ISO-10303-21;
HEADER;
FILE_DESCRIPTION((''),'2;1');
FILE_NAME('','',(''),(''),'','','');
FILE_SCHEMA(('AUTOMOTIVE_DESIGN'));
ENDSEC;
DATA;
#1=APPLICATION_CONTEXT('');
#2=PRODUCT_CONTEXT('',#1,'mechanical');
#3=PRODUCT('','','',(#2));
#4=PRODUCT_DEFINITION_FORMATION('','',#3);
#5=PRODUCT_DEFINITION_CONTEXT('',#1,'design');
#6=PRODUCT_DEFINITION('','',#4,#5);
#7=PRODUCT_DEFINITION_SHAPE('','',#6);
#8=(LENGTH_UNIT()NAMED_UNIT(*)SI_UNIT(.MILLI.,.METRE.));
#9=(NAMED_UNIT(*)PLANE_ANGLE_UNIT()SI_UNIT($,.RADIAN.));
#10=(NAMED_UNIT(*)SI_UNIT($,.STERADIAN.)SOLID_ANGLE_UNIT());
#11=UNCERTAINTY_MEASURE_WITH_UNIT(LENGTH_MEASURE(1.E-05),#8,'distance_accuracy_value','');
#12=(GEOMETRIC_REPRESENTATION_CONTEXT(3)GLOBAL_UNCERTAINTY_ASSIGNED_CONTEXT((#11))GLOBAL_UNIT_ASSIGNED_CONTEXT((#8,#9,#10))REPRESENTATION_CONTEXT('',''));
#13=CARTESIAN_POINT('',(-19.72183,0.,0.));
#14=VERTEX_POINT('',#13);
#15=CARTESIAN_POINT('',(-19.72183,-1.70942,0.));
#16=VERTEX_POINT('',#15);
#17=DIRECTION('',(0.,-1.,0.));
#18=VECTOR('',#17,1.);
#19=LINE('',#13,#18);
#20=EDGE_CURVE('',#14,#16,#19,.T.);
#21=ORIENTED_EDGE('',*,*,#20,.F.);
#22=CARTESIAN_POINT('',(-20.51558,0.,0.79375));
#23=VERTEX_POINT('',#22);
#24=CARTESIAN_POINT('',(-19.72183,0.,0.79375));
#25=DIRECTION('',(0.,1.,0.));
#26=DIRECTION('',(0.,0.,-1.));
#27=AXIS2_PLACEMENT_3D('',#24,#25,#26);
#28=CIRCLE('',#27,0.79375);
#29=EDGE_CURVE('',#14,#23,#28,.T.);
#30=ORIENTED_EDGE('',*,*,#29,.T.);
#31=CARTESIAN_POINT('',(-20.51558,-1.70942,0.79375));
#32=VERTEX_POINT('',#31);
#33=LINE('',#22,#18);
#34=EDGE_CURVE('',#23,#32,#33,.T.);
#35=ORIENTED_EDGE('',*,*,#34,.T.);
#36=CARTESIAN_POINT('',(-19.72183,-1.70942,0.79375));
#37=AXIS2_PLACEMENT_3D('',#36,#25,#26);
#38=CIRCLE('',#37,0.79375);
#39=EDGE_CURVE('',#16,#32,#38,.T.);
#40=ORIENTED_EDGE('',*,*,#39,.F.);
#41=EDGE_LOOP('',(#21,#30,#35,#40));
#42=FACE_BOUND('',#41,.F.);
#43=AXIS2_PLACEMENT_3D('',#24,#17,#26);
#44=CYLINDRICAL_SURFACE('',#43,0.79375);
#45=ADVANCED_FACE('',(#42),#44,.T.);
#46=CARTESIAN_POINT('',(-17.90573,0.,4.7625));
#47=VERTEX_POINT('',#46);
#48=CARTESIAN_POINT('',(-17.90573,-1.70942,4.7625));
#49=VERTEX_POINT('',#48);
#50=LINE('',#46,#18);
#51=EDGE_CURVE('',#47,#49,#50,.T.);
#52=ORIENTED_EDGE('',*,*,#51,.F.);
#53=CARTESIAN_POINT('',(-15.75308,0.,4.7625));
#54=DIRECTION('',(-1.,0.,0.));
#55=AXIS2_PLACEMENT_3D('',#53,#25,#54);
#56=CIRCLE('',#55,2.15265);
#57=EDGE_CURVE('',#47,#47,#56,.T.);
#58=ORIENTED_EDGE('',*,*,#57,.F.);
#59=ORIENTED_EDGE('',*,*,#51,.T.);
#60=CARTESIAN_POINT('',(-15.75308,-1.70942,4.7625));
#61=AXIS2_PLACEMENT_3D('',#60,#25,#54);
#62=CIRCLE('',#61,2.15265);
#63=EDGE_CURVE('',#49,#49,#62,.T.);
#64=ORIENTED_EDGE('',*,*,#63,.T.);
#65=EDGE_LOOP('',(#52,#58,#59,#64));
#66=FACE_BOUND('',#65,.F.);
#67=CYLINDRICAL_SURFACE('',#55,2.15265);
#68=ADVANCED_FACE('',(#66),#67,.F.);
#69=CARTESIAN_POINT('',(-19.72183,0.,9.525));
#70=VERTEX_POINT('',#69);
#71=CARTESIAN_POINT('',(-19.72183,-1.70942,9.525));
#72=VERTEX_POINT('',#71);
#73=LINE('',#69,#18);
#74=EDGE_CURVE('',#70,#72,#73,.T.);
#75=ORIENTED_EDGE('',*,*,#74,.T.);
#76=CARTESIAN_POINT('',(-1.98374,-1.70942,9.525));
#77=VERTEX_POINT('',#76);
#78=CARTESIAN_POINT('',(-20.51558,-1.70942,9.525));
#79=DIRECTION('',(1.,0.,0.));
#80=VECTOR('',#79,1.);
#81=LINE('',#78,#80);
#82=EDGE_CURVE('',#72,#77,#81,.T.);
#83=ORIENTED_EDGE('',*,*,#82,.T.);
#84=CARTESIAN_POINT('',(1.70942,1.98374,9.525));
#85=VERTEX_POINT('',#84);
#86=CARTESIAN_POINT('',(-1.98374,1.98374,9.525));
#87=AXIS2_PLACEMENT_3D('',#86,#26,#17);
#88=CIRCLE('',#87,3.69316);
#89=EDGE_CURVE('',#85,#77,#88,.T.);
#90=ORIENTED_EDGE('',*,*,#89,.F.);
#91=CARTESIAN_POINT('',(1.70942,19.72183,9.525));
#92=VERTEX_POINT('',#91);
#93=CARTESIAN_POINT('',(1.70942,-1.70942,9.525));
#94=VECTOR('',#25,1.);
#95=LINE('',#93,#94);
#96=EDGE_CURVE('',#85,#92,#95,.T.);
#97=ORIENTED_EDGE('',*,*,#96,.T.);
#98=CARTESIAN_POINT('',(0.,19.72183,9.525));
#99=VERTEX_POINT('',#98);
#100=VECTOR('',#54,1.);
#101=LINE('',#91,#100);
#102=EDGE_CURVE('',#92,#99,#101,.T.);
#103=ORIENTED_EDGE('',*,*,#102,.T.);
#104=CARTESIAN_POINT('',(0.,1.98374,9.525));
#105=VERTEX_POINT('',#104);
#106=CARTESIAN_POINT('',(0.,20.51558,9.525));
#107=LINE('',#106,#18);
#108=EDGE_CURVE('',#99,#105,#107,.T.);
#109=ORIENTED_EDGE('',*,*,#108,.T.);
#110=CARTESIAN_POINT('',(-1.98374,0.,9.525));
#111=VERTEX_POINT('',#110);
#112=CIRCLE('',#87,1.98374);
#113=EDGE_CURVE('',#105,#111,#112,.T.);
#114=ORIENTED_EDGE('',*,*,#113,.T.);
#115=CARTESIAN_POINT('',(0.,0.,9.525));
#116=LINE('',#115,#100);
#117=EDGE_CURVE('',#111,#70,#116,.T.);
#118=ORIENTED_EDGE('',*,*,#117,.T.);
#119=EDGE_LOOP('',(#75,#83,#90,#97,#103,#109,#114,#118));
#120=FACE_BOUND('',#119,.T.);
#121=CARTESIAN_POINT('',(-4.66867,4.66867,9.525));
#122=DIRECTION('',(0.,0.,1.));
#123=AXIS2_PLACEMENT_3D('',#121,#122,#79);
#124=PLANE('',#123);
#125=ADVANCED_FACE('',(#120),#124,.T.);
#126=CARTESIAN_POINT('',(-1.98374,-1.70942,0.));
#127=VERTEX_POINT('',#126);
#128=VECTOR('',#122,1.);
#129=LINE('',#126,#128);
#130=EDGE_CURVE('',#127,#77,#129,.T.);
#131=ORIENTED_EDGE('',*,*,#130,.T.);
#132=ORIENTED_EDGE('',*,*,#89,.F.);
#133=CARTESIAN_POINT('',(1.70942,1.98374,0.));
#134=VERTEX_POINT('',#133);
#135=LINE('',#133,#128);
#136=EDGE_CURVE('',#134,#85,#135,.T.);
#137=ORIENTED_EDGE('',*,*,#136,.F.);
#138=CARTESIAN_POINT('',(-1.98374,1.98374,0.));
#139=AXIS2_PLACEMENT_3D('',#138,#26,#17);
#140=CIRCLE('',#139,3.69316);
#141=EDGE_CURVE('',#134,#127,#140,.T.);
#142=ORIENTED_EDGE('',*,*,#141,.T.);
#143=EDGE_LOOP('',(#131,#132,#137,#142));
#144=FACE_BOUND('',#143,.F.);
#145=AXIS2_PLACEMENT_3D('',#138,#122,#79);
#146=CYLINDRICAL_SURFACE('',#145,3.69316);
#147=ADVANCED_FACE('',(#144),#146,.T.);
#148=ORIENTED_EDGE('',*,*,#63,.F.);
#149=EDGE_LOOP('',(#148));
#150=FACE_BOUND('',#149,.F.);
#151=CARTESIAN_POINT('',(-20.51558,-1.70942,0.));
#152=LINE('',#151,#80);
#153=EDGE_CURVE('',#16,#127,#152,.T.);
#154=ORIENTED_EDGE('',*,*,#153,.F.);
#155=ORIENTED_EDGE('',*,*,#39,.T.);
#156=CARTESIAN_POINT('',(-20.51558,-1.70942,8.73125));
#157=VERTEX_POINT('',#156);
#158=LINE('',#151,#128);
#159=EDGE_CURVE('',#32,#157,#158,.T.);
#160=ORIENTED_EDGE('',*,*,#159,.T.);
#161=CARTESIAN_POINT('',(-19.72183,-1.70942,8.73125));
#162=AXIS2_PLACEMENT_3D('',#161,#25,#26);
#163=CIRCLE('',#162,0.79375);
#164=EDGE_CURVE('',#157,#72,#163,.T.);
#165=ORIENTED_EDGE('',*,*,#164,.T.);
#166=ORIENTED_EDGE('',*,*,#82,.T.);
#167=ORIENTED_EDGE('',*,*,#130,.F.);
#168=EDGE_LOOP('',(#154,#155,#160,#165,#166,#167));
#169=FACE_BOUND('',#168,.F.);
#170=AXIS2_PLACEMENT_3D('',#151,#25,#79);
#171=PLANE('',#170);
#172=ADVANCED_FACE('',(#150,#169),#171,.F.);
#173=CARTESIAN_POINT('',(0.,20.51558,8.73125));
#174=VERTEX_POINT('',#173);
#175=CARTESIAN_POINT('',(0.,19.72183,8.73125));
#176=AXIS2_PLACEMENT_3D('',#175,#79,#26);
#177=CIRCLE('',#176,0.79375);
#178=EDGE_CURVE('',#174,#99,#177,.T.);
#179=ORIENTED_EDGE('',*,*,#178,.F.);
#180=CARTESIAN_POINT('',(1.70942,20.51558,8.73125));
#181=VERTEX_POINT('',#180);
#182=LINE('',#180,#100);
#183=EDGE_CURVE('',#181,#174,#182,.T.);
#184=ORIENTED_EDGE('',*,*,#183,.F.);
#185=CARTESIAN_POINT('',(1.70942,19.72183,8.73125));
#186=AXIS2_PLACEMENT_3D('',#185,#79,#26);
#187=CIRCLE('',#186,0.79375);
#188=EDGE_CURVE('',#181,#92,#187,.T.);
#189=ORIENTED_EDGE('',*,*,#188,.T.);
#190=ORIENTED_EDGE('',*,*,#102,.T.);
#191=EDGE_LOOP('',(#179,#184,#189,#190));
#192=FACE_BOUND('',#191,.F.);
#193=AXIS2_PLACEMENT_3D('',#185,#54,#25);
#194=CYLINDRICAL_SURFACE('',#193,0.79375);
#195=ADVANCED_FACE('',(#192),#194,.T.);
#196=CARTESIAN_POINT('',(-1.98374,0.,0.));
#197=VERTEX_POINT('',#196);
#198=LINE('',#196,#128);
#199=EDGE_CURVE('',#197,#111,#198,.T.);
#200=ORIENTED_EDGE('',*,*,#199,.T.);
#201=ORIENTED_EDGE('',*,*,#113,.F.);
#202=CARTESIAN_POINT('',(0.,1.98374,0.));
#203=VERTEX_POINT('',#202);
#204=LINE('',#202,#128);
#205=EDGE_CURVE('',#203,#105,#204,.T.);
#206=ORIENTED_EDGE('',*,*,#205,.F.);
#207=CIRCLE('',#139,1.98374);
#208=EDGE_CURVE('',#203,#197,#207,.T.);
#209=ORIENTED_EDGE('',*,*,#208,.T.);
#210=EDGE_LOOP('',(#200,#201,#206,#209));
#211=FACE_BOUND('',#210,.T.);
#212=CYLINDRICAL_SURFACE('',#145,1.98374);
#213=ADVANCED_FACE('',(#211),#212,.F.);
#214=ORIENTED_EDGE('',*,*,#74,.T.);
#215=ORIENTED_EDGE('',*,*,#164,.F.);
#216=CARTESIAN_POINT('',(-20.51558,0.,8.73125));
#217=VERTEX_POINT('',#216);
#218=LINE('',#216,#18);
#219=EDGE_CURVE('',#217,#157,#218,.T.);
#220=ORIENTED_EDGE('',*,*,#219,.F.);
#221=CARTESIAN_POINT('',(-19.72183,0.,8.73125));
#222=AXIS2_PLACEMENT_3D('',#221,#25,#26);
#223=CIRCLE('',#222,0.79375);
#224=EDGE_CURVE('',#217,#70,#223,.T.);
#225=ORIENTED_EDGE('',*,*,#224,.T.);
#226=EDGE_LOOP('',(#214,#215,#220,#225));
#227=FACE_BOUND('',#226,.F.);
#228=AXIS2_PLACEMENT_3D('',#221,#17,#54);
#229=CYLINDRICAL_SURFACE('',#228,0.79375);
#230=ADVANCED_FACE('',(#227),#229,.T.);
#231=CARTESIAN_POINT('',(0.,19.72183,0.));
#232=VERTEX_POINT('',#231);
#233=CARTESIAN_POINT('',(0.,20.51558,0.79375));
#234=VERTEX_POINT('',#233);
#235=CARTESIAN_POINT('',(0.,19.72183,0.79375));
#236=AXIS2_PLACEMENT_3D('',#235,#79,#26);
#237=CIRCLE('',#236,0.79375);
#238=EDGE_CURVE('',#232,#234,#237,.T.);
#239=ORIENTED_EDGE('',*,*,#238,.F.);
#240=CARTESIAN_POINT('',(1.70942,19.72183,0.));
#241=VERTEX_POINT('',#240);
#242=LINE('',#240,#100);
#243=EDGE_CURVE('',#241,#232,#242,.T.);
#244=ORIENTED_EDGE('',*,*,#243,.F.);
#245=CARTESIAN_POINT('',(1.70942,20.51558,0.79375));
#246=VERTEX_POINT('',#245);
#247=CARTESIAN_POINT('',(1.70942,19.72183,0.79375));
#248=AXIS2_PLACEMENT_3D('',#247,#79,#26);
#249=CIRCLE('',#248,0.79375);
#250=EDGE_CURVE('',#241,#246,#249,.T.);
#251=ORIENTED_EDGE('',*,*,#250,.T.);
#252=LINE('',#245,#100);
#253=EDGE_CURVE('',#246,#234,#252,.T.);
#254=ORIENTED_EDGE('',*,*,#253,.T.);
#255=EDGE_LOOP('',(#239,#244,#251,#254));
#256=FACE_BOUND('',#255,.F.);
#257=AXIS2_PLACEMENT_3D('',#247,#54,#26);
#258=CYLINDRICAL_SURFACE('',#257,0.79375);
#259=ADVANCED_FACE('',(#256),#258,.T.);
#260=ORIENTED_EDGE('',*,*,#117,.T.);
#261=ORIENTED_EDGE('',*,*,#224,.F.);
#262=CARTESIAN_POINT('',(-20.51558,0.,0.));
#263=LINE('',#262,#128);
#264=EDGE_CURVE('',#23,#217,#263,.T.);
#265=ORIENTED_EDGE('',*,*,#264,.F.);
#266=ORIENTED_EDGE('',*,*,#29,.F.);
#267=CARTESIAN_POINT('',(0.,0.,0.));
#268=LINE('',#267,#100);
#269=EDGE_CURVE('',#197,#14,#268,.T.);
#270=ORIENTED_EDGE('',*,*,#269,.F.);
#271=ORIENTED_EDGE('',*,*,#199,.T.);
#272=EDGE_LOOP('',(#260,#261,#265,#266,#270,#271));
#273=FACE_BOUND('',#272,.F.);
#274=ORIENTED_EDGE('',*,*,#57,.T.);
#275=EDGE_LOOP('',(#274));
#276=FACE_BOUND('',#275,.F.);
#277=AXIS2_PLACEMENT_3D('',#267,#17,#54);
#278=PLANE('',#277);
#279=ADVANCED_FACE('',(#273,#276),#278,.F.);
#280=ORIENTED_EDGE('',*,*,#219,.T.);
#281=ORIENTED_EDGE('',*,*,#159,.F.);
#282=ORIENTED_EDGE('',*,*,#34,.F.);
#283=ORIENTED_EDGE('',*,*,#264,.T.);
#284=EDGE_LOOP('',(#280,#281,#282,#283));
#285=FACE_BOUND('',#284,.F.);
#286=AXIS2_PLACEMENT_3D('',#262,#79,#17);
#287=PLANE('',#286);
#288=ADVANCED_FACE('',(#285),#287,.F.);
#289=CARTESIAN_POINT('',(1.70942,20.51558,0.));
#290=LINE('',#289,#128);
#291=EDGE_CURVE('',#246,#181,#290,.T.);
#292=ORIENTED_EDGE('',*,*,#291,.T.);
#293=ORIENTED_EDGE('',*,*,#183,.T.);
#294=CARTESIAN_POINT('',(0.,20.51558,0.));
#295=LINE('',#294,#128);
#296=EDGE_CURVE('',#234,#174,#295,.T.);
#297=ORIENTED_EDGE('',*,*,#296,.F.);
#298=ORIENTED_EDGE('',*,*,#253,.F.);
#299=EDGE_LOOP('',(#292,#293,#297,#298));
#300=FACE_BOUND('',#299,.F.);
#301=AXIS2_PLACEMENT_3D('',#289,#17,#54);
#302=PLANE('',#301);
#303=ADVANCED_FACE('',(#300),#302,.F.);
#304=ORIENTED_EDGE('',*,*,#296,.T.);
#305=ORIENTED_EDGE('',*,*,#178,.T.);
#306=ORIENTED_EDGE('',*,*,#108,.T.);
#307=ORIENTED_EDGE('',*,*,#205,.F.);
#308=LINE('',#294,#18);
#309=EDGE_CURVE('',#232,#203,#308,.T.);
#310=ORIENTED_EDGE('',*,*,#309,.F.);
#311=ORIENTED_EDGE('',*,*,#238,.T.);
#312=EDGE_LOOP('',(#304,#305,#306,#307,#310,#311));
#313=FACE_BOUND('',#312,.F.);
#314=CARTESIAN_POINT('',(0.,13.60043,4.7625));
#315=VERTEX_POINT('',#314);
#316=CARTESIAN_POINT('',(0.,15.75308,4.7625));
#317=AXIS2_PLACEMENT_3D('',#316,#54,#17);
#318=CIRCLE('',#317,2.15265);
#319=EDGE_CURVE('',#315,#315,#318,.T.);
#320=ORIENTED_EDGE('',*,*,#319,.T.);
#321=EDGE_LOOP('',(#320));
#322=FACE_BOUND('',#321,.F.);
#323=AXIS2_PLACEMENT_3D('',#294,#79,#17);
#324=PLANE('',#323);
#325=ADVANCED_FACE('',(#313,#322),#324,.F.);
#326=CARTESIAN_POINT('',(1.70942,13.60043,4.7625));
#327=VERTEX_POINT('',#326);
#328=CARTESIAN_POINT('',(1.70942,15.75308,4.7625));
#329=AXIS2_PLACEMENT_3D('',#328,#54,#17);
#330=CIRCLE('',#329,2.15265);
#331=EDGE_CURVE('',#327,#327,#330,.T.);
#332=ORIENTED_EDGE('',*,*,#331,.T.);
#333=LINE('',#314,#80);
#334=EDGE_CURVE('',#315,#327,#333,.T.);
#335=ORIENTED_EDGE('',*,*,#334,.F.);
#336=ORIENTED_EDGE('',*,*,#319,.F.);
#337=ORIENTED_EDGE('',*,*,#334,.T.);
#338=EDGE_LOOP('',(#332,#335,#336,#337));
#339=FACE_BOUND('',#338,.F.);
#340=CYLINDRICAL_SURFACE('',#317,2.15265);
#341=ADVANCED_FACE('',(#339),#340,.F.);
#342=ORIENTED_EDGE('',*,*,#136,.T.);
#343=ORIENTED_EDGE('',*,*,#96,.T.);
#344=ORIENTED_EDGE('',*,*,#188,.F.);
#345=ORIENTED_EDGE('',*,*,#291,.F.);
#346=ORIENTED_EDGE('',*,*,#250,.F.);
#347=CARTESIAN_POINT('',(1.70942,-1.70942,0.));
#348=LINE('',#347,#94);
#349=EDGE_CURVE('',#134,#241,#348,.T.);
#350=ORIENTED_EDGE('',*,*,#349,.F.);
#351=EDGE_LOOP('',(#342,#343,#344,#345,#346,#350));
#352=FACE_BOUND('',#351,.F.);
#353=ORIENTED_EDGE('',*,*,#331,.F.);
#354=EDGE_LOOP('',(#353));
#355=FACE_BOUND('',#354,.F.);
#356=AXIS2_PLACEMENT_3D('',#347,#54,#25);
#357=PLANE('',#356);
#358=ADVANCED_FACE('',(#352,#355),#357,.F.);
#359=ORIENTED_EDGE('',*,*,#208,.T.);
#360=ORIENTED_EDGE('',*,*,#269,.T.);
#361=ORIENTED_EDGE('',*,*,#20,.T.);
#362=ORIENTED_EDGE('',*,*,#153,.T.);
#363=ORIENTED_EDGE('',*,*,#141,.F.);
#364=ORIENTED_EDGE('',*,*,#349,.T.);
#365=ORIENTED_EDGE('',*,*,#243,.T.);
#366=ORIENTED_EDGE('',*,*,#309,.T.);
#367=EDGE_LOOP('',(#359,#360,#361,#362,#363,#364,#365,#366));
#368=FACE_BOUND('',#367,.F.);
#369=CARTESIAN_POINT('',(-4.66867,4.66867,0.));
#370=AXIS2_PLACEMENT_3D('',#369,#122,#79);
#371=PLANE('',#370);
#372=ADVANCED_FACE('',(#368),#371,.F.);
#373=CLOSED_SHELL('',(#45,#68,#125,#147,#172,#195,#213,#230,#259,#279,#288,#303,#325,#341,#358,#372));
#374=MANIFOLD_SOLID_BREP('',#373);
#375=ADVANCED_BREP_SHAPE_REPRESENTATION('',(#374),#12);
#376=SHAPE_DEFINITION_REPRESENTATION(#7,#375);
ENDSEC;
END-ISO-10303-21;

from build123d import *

# Parameters (mm, degrees)
F1_DEPTH = 9.525
F2_R     = 1.98374
F3_R     = 3.69316
F4_R     = 2.15265
F5_DEPTH = 1.70942
F6_R     = 2.15265
F7_DEPTH = 1.70942
F8_R     = 0.79375


with BuildPart() as f1:
    # F0 (on Top) → F1 (new body)
    with BuildSketch(Plane.XY):
        Polygon((0, 20.51558), (0, 0), (-20.51558, 0), (-20.51558, -1.70942), (1.70942, -1.70942), (1.70942, 20.51558), align=None)
    extrude(amount=F1_DEPTH)

    # F2
    f2_edges = [f1.edges().sort_by_distance(p)[0] for p in [
        (0, 0, 4.7625),
    ]]
    fillet(f2_edges, radius=F2_R)

    # F3
    f3_edges = [f1.edges().sort_by_distance(p)[0] for p in [
        (1.70942, -1.70942, 4.7625),
    ]]
    fillet(f3_edges, radius=F3_R)

    # F4 (on face) → F5 (cut, through all)
    with BuildSketch(Plane(origin=(0, 0, 0), x_dir=(-1, 0, 0), z_dir=(0, 1, 0))):
        with Locations((15.75308, 4.7625)):
            Circle(F4_R)
    extrude(amount=-F5_DEPTH, mode=Mode.SUBTRACT)

    # F6 (on face) → F7 (cut, through all)
    with BuildSketch(Plane(origin=(0, 0, 0), x_dir=(0, -1, 0), z_dir=(-1, 0, 0))):
        with Locations((-15.75308, 4.7625)):
            Circle(F6_R)
    extrude(amount=-F7_DEPTH, mode=Mode.SUBTRACT)

    # F8
    f8_edges = [f1.edges().sort_by_distance(p)[0] for p in [
        (0.85471, 20.51558, 0),
        (0.85471, 20.51558, 9.525),
        (-20.51558, -0.85471, 9.525),
        (-20.51558, -0.85471, 0),
    ]]
    fillet(f8_edges, radius=F8_R)


solid = f1.part
